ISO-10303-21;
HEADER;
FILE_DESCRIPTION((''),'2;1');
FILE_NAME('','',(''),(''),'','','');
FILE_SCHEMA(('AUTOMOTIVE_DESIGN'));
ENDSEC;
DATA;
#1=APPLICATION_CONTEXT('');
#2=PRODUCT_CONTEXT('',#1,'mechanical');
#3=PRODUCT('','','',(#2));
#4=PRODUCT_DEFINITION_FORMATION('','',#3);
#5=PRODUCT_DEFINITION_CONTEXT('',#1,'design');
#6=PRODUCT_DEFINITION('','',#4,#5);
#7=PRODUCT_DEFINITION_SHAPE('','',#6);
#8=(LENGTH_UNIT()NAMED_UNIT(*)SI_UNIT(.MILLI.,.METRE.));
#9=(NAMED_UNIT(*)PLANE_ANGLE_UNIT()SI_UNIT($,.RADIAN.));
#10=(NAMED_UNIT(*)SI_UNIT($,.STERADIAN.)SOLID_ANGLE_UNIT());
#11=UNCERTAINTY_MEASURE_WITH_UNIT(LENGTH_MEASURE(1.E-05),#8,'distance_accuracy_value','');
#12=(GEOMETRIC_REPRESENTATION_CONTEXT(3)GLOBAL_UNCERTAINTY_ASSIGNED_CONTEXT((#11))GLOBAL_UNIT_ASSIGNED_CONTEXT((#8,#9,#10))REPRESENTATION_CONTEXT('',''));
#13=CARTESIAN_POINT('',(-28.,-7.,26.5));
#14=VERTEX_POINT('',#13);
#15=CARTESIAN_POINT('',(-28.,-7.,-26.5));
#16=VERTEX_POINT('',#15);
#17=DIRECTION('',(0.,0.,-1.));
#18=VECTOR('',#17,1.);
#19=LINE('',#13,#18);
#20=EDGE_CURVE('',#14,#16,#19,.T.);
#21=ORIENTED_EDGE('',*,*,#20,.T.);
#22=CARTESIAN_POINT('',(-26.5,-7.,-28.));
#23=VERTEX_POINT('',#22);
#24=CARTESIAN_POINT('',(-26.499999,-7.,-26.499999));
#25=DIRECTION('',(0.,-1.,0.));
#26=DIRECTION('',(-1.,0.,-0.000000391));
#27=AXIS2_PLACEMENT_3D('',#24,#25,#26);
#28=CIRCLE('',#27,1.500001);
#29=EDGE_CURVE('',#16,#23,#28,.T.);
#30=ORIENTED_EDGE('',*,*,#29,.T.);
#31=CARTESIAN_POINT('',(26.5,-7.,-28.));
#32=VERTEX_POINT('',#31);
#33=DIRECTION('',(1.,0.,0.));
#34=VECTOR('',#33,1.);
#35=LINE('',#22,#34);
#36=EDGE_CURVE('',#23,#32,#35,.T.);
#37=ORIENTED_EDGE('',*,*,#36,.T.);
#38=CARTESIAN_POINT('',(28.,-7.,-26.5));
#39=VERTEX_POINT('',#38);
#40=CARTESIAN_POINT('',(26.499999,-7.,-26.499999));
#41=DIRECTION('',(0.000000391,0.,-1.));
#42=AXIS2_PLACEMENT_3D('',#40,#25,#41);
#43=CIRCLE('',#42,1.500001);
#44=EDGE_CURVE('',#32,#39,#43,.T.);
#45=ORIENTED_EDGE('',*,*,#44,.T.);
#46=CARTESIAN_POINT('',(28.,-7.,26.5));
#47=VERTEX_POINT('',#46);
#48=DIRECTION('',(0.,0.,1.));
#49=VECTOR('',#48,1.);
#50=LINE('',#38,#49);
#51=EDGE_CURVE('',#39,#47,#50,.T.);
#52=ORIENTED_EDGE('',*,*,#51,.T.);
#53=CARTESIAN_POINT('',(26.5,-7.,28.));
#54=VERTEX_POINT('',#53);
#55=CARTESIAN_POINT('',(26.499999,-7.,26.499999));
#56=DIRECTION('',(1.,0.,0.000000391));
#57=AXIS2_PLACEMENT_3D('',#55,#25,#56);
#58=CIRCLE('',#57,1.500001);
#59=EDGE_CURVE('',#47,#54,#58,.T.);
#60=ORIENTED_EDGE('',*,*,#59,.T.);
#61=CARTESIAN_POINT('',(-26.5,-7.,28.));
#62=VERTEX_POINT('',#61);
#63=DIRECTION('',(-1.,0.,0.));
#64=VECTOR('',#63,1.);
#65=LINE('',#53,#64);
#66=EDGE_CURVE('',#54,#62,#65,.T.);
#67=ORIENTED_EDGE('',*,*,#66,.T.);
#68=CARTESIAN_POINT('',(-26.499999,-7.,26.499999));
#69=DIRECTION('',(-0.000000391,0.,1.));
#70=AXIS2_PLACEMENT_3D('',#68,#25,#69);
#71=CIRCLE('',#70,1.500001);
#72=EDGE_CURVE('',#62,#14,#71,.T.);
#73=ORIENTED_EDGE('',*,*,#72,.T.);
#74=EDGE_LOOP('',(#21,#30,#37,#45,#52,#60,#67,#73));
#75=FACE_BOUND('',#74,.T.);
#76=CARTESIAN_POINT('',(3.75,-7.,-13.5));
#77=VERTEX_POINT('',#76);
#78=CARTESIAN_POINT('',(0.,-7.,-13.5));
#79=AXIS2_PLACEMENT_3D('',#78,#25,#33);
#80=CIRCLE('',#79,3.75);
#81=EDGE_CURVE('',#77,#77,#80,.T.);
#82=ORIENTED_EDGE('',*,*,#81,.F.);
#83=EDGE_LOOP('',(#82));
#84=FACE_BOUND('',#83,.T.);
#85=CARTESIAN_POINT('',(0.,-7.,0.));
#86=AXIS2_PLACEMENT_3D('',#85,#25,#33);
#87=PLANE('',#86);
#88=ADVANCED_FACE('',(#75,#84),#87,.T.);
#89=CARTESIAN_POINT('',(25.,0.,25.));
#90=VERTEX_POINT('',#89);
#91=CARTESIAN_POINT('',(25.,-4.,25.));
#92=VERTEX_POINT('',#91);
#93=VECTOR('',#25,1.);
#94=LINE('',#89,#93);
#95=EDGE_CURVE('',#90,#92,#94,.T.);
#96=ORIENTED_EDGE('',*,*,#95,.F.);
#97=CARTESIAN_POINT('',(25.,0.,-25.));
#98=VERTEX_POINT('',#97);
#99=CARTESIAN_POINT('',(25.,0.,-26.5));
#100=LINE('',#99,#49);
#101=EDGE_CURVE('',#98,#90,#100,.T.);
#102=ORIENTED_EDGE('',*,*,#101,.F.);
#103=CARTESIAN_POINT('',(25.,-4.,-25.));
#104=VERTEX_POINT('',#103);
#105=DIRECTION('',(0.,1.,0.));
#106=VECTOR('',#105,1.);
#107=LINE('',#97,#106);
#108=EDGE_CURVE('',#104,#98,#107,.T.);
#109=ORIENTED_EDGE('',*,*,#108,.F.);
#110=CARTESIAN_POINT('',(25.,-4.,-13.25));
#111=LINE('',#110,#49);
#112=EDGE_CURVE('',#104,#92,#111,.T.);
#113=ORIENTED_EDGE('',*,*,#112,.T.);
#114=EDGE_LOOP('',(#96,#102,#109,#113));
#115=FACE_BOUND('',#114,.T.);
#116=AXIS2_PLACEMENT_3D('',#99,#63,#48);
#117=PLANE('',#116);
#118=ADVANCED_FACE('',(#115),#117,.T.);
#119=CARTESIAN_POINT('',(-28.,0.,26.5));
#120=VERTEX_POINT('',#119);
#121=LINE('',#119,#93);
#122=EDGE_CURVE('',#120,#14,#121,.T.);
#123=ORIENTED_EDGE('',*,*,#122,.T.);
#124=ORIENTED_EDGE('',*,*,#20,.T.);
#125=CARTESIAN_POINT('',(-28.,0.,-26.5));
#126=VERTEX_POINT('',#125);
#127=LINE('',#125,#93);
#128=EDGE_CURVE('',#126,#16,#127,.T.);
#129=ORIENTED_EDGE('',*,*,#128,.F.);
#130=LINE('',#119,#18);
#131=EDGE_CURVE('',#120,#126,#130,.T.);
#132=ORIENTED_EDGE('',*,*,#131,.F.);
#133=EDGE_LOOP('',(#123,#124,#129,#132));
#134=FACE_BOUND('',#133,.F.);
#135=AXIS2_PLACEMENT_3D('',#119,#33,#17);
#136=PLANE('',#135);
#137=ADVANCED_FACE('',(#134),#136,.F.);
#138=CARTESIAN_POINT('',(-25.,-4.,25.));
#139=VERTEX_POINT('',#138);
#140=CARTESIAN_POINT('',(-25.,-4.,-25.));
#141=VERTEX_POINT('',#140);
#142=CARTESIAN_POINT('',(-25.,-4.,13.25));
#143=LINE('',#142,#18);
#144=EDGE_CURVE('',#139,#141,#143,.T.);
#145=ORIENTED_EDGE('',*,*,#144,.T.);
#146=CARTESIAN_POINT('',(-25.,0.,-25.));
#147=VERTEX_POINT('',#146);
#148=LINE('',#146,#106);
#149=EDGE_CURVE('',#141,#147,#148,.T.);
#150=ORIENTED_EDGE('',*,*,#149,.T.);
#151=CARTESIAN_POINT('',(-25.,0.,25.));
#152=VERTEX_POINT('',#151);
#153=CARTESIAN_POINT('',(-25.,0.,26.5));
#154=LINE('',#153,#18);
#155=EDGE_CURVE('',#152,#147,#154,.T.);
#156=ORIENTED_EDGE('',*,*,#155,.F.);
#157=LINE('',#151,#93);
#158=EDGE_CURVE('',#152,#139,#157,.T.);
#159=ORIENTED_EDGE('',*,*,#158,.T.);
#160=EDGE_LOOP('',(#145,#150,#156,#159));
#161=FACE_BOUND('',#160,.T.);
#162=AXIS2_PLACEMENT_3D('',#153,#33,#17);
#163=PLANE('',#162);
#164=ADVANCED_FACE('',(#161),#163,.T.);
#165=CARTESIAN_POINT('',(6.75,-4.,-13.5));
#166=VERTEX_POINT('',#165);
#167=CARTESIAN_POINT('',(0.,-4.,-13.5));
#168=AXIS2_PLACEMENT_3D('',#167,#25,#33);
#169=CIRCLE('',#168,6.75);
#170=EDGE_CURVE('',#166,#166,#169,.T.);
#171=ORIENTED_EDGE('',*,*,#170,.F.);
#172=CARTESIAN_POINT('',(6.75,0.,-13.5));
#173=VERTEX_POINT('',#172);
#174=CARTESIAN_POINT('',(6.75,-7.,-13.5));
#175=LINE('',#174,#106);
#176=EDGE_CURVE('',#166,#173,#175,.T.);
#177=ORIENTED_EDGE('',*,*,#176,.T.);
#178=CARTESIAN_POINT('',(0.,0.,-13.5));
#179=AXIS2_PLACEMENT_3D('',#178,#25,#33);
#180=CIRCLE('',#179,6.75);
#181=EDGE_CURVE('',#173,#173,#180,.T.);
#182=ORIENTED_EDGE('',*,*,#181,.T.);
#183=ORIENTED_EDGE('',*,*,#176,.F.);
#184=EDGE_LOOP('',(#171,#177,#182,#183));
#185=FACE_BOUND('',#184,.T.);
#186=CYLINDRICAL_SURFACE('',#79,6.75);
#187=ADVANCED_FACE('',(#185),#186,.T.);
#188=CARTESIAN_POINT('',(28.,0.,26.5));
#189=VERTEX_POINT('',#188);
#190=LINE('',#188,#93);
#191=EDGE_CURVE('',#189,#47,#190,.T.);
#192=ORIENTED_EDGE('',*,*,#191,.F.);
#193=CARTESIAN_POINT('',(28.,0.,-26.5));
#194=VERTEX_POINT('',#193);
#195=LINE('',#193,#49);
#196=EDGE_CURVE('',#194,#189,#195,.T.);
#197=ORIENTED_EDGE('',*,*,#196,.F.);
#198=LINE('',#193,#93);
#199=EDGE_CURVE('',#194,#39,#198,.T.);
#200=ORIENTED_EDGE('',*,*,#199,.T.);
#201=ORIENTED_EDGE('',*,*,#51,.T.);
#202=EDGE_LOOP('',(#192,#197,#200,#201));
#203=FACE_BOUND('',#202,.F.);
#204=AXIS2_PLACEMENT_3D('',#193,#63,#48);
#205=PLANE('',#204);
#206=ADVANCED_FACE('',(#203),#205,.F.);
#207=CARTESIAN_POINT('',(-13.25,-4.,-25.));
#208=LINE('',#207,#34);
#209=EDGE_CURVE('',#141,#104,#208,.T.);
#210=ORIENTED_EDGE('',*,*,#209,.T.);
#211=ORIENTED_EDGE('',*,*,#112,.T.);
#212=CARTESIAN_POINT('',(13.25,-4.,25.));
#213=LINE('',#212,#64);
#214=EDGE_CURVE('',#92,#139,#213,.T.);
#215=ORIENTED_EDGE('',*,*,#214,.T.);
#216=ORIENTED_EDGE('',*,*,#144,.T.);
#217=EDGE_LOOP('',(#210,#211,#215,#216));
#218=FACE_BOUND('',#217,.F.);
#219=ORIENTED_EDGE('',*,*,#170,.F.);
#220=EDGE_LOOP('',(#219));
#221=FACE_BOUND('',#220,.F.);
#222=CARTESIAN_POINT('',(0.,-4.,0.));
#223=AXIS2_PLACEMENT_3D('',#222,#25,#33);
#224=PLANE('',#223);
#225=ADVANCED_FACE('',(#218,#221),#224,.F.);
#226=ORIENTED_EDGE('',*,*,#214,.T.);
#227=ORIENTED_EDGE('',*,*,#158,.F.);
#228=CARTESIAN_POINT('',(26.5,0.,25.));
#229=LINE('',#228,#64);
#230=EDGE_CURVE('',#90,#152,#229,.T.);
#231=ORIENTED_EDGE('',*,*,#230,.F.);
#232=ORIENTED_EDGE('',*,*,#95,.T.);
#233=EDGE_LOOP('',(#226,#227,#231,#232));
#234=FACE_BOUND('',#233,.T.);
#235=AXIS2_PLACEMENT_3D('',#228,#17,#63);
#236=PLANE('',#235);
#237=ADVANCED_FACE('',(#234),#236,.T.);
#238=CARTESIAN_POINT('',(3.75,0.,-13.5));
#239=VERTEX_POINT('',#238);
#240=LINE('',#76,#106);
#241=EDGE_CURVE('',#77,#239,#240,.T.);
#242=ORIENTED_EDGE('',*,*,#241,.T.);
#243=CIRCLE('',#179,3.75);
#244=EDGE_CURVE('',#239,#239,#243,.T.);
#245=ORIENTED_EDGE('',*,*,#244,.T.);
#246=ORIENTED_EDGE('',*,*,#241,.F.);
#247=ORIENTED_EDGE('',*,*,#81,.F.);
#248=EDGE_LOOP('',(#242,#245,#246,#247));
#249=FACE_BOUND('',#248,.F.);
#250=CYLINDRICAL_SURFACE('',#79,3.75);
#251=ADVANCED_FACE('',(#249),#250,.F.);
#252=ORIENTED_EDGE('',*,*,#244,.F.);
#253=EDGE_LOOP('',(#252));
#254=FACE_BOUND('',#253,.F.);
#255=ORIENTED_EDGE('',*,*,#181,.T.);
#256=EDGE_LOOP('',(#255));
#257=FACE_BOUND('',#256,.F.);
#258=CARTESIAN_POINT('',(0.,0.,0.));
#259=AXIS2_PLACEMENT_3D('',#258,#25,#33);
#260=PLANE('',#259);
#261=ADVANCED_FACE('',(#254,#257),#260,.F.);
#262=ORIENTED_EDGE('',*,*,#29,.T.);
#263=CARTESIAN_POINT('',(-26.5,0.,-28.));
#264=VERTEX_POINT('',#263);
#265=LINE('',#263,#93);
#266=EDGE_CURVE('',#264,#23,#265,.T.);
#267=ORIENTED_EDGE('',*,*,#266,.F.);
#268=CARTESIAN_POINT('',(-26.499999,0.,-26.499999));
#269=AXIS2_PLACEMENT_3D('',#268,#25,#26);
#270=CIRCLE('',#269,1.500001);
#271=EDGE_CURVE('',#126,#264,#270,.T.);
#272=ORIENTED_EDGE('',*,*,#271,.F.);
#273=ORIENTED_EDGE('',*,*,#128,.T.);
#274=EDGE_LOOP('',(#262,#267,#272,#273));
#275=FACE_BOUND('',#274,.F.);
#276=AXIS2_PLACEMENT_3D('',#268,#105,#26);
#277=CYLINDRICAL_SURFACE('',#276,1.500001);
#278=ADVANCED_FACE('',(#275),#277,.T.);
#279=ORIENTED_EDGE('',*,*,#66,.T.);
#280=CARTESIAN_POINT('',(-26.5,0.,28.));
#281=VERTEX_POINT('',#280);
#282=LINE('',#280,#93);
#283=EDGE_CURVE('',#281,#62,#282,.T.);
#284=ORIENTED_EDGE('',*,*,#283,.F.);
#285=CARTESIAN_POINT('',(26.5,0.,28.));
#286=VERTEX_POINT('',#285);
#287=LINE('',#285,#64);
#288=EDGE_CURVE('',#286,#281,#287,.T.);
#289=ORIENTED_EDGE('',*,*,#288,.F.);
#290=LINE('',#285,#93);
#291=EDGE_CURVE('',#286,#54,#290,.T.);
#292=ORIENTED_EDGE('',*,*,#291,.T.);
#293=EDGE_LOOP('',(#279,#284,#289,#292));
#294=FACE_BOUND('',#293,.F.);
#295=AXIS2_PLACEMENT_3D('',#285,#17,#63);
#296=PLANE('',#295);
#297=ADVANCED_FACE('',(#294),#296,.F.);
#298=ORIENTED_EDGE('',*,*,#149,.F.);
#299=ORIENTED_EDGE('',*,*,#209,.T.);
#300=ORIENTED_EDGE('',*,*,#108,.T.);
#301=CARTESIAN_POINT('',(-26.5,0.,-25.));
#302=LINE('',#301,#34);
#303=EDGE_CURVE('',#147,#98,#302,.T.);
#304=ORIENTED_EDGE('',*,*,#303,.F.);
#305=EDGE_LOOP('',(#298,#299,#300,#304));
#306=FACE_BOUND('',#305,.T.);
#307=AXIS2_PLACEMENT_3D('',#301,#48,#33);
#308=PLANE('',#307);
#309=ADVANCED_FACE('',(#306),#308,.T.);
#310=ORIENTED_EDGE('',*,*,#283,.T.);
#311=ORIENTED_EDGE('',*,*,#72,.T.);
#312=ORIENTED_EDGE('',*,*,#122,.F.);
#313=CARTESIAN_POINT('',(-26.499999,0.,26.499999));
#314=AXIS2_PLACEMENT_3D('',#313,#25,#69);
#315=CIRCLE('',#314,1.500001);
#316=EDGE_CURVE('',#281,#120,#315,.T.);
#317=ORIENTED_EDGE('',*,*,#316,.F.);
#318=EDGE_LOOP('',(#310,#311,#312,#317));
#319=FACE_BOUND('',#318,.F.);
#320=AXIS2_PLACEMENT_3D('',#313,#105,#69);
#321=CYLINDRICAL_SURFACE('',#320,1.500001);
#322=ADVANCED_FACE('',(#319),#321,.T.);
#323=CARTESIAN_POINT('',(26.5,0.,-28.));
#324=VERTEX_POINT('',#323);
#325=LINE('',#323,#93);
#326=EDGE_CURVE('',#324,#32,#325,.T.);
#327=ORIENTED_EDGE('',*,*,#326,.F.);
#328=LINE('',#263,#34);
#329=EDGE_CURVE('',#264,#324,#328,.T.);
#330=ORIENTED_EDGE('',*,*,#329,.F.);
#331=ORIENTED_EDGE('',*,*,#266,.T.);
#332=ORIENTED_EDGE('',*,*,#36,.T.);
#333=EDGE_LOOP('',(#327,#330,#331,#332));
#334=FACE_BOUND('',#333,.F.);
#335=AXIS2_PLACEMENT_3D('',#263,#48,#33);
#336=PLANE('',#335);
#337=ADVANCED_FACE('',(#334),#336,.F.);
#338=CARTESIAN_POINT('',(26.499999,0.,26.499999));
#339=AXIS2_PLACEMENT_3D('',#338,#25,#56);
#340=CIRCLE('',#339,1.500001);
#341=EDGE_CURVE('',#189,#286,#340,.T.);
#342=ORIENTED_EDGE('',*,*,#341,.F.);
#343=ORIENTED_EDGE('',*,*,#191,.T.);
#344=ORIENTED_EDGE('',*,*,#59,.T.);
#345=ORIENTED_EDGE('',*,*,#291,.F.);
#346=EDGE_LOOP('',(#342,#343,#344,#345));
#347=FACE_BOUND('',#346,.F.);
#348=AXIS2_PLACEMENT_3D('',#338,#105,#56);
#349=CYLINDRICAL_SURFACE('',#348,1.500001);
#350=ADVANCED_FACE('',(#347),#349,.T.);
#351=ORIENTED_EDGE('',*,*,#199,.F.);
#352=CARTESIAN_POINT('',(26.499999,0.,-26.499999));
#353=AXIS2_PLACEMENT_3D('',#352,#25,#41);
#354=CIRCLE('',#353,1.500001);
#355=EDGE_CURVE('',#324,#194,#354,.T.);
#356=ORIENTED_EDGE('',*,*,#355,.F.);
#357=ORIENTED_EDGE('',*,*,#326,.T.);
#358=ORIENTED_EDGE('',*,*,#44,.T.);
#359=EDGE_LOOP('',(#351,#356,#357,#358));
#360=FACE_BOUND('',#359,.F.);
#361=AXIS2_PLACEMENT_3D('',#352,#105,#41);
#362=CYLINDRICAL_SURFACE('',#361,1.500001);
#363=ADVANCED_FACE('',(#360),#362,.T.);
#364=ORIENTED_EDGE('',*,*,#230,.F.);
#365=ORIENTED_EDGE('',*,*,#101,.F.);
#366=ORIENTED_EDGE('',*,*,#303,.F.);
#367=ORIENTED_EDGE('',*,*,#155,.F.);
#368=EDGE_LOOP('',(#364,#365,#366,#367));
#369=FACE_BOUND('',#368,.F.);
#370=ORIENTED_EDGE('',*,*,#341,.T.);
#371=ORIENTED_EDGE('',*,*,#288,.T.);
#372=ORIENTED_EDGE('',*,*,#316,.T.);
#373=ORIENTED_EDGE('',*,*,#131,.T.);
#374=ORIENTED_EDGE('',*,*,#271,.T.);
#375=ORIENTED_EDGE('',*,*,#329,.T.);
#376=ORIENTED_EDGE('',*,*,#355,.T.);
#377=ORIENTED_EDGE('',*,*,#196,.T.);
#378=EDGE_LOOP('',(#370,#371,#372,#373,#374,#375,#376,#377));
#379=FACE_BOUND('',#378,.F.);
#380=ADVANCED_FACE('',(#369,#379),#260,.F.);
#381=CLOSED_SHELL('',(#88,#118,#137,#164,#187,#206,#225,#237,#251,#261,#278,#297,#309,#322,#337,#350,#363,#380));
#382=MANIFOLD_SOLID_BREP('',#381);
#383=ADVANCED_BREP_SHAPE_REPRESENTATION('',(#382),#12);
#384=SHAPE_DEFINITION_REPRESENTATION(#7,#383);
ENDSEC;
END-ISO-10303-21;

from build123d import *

# Parameters (mm, degrees)
F1_DEPTH = 7
F2_R     = 3.75
F3_DEPTH = 7
F4_T     = -3


with BuildPart() as f1:
    # F0 (on Front) → F1 (new body)
    with BuildSketch(Plane.XZ):
        with BuildLine():
            ThreePointArc((28, 26.5), (27.56066, 27.56066), (26.5, 28))
            Line((26.5, 28), (-26.5, 28))
            ThreePointArc((-26.5, 28), (-27.56066, 27.56066), (-28, 26.5))
            Line((-28, 26.5), (-28, -26.5))
            ThreePointArc((-28, -26.5), (-27.56066, -27.56066), (-26.5, -28))
            Line((-26.5, -28), (26.5, -28))
            ThreePointArc((26.5, -28), (27.56066, -27.56066), (28, -26.5))
            Line((28, -26.5), (28, 26.5))
        make_face()
    extrude(amount=F1_DEPTH)

    # F2 (on face) → F3 (cut)
    with BuildSketch(Plane.XZ.offset(7)):
        with Locations((0, -13.5)):
            Circle(F2_R)
    extrude(amount=-F3_DEPTH, mode=Mode.SUBTRACT)

    # F4
    f4_openings = [f1.faces().sort_by_distance(p)[0] for p in [
        (0, 0, 0.19302),
    ]]
    offset(amount=F4_T, openings=f4_openings)


solid = f1.part
